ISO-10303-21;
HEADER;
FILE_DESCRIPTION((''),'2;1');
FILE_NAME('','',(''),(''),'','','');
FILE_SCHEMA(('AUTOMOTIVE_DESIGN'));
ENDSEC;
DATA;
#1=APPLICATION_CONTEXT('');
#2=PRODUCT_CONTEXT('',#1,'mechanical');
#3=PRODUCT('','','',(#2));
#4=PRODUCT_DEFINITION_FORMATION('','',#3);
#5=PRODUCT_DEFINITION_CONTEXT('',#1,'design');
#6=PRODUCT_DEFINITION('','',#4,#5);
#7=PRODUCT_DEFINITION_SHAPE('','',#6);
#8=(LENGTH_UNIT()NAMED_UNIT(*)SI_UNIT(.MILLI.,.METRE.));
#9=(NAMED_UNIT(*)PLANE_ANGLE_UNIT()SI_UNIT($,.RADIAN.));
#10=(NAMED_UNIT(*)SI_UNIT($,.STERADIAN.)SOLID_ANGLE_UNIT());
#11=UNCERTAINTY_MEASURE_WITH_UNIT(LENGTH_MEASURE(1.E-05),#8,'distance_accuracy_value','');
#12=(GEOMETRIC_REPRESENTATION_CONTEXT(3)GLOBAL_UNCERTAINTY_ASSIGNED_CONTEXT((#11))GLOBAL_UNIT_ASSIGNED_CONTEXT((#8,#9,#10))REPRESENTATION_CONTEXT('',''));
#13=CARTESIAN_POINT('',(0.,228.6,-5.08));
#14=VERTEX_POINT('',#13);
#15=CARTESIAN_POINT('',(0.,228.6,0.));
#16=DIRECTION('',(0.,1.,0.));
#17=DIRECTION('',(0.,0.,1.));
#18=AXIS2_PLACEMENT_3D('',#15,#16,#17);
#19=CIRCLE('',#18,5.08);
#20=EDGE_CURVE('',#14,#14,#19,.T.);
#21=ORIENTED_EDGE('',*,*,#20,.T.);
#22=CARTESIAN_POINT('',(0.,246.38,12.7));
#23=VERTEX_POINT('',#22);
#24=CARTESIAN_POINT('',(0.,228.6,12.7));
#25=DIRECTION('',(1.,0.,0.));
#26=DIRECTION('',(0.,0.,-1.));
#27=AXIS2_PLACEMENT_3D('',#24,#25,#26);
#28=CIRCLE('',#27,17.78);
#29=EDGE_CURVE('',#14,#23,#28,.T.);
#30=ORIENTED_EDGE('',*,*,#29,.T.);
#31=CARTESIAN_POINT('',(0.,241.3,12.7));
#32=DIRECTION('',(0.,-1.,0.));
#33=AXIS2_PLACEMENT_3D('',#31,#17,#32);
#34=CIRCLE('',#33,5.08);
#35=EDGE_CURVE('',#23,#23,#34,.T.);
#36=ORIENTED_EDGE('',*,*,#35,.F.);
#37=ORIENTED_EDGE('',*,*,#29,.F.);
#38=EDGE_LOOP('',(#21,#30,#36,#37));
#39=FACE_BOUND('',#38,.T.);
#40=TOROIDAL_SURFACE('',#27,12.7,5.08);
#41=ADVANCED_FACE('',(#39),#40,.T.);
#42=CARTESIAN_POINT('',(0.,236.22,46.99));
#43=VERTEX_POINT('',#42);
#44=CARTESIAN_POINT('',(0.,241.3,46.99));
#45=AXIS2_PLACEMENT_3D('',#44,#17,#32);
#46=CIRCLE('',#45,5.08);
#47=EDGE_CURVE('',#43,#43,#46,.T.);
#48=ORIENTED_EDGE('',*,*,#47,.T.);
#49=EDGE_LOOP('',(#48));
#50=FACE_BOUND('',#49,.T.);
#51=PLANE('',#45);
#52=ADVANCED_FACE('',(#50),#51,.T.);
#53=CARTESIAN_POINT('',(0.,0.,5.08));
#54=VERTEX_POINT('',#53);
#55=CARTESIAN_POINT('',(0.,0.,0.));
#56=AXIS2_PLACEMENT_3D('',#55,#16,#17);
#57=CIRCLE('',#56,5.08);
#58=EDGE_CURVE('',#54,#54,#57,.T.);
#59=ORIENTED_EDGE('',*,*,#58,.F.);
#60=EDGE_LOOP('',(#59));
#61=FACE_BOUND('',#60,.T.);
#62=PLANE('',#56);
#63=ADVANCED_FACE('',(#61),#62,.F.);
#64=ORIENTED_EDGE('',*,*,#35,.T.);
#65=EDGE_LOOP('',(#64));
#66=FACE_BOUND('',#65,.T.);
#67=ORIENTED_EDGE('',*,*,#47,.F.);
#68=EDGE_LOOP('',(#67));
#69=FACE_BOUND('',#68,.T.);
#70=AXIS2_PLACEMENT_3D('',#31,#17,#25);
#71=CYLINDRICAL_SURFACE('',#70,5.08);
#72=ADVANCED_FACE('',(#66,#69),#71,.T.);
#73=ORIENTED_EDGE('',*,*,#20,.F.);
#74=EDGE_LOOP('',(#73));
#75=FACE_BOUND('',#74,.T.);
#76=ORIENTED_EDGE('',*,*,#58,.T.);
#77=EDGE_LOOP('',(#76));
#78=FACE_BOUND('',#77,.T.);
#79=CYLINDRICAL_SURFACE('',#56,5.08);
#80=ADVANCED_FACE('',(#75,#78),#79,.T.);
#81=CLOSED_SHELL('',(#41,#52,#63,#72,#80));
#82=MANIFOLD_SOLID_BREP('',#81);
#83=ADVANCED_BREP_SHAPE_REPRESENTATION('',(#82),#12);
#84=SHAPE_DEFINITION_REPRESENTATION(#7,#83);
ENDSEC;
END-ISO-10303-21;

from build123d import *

# Parameters (mm, degrees)
SKETCH1_R = 5.08


with BuildPart() as part:
    # Sweep1: sweep along a path in Sketch2
    with BuildLine(Plane(origin=(0, 0, 0), x_dir=(0, 0, -1), z_dir=(1, 0, 0))) as sweep1_path:
        Line((0, 0), (0, 228.6))
        ThreePointArc((0, 228.6), (-3.719743879, 237.580256121), (-12.7, 241.3))
        Line((-12.7, 241.3), (-46.99, 241.3))
    # Sketch1 → Sweep1 (sweep)
    with BuildSketch(Plane(origin=(0, 0, 0), x_dir=(1, 0, 0), z_dir=(0, 1, 0))):
        Circle(SKETCH1_R)
    sweep(path=sweep1_path.line)


solid = part.part
